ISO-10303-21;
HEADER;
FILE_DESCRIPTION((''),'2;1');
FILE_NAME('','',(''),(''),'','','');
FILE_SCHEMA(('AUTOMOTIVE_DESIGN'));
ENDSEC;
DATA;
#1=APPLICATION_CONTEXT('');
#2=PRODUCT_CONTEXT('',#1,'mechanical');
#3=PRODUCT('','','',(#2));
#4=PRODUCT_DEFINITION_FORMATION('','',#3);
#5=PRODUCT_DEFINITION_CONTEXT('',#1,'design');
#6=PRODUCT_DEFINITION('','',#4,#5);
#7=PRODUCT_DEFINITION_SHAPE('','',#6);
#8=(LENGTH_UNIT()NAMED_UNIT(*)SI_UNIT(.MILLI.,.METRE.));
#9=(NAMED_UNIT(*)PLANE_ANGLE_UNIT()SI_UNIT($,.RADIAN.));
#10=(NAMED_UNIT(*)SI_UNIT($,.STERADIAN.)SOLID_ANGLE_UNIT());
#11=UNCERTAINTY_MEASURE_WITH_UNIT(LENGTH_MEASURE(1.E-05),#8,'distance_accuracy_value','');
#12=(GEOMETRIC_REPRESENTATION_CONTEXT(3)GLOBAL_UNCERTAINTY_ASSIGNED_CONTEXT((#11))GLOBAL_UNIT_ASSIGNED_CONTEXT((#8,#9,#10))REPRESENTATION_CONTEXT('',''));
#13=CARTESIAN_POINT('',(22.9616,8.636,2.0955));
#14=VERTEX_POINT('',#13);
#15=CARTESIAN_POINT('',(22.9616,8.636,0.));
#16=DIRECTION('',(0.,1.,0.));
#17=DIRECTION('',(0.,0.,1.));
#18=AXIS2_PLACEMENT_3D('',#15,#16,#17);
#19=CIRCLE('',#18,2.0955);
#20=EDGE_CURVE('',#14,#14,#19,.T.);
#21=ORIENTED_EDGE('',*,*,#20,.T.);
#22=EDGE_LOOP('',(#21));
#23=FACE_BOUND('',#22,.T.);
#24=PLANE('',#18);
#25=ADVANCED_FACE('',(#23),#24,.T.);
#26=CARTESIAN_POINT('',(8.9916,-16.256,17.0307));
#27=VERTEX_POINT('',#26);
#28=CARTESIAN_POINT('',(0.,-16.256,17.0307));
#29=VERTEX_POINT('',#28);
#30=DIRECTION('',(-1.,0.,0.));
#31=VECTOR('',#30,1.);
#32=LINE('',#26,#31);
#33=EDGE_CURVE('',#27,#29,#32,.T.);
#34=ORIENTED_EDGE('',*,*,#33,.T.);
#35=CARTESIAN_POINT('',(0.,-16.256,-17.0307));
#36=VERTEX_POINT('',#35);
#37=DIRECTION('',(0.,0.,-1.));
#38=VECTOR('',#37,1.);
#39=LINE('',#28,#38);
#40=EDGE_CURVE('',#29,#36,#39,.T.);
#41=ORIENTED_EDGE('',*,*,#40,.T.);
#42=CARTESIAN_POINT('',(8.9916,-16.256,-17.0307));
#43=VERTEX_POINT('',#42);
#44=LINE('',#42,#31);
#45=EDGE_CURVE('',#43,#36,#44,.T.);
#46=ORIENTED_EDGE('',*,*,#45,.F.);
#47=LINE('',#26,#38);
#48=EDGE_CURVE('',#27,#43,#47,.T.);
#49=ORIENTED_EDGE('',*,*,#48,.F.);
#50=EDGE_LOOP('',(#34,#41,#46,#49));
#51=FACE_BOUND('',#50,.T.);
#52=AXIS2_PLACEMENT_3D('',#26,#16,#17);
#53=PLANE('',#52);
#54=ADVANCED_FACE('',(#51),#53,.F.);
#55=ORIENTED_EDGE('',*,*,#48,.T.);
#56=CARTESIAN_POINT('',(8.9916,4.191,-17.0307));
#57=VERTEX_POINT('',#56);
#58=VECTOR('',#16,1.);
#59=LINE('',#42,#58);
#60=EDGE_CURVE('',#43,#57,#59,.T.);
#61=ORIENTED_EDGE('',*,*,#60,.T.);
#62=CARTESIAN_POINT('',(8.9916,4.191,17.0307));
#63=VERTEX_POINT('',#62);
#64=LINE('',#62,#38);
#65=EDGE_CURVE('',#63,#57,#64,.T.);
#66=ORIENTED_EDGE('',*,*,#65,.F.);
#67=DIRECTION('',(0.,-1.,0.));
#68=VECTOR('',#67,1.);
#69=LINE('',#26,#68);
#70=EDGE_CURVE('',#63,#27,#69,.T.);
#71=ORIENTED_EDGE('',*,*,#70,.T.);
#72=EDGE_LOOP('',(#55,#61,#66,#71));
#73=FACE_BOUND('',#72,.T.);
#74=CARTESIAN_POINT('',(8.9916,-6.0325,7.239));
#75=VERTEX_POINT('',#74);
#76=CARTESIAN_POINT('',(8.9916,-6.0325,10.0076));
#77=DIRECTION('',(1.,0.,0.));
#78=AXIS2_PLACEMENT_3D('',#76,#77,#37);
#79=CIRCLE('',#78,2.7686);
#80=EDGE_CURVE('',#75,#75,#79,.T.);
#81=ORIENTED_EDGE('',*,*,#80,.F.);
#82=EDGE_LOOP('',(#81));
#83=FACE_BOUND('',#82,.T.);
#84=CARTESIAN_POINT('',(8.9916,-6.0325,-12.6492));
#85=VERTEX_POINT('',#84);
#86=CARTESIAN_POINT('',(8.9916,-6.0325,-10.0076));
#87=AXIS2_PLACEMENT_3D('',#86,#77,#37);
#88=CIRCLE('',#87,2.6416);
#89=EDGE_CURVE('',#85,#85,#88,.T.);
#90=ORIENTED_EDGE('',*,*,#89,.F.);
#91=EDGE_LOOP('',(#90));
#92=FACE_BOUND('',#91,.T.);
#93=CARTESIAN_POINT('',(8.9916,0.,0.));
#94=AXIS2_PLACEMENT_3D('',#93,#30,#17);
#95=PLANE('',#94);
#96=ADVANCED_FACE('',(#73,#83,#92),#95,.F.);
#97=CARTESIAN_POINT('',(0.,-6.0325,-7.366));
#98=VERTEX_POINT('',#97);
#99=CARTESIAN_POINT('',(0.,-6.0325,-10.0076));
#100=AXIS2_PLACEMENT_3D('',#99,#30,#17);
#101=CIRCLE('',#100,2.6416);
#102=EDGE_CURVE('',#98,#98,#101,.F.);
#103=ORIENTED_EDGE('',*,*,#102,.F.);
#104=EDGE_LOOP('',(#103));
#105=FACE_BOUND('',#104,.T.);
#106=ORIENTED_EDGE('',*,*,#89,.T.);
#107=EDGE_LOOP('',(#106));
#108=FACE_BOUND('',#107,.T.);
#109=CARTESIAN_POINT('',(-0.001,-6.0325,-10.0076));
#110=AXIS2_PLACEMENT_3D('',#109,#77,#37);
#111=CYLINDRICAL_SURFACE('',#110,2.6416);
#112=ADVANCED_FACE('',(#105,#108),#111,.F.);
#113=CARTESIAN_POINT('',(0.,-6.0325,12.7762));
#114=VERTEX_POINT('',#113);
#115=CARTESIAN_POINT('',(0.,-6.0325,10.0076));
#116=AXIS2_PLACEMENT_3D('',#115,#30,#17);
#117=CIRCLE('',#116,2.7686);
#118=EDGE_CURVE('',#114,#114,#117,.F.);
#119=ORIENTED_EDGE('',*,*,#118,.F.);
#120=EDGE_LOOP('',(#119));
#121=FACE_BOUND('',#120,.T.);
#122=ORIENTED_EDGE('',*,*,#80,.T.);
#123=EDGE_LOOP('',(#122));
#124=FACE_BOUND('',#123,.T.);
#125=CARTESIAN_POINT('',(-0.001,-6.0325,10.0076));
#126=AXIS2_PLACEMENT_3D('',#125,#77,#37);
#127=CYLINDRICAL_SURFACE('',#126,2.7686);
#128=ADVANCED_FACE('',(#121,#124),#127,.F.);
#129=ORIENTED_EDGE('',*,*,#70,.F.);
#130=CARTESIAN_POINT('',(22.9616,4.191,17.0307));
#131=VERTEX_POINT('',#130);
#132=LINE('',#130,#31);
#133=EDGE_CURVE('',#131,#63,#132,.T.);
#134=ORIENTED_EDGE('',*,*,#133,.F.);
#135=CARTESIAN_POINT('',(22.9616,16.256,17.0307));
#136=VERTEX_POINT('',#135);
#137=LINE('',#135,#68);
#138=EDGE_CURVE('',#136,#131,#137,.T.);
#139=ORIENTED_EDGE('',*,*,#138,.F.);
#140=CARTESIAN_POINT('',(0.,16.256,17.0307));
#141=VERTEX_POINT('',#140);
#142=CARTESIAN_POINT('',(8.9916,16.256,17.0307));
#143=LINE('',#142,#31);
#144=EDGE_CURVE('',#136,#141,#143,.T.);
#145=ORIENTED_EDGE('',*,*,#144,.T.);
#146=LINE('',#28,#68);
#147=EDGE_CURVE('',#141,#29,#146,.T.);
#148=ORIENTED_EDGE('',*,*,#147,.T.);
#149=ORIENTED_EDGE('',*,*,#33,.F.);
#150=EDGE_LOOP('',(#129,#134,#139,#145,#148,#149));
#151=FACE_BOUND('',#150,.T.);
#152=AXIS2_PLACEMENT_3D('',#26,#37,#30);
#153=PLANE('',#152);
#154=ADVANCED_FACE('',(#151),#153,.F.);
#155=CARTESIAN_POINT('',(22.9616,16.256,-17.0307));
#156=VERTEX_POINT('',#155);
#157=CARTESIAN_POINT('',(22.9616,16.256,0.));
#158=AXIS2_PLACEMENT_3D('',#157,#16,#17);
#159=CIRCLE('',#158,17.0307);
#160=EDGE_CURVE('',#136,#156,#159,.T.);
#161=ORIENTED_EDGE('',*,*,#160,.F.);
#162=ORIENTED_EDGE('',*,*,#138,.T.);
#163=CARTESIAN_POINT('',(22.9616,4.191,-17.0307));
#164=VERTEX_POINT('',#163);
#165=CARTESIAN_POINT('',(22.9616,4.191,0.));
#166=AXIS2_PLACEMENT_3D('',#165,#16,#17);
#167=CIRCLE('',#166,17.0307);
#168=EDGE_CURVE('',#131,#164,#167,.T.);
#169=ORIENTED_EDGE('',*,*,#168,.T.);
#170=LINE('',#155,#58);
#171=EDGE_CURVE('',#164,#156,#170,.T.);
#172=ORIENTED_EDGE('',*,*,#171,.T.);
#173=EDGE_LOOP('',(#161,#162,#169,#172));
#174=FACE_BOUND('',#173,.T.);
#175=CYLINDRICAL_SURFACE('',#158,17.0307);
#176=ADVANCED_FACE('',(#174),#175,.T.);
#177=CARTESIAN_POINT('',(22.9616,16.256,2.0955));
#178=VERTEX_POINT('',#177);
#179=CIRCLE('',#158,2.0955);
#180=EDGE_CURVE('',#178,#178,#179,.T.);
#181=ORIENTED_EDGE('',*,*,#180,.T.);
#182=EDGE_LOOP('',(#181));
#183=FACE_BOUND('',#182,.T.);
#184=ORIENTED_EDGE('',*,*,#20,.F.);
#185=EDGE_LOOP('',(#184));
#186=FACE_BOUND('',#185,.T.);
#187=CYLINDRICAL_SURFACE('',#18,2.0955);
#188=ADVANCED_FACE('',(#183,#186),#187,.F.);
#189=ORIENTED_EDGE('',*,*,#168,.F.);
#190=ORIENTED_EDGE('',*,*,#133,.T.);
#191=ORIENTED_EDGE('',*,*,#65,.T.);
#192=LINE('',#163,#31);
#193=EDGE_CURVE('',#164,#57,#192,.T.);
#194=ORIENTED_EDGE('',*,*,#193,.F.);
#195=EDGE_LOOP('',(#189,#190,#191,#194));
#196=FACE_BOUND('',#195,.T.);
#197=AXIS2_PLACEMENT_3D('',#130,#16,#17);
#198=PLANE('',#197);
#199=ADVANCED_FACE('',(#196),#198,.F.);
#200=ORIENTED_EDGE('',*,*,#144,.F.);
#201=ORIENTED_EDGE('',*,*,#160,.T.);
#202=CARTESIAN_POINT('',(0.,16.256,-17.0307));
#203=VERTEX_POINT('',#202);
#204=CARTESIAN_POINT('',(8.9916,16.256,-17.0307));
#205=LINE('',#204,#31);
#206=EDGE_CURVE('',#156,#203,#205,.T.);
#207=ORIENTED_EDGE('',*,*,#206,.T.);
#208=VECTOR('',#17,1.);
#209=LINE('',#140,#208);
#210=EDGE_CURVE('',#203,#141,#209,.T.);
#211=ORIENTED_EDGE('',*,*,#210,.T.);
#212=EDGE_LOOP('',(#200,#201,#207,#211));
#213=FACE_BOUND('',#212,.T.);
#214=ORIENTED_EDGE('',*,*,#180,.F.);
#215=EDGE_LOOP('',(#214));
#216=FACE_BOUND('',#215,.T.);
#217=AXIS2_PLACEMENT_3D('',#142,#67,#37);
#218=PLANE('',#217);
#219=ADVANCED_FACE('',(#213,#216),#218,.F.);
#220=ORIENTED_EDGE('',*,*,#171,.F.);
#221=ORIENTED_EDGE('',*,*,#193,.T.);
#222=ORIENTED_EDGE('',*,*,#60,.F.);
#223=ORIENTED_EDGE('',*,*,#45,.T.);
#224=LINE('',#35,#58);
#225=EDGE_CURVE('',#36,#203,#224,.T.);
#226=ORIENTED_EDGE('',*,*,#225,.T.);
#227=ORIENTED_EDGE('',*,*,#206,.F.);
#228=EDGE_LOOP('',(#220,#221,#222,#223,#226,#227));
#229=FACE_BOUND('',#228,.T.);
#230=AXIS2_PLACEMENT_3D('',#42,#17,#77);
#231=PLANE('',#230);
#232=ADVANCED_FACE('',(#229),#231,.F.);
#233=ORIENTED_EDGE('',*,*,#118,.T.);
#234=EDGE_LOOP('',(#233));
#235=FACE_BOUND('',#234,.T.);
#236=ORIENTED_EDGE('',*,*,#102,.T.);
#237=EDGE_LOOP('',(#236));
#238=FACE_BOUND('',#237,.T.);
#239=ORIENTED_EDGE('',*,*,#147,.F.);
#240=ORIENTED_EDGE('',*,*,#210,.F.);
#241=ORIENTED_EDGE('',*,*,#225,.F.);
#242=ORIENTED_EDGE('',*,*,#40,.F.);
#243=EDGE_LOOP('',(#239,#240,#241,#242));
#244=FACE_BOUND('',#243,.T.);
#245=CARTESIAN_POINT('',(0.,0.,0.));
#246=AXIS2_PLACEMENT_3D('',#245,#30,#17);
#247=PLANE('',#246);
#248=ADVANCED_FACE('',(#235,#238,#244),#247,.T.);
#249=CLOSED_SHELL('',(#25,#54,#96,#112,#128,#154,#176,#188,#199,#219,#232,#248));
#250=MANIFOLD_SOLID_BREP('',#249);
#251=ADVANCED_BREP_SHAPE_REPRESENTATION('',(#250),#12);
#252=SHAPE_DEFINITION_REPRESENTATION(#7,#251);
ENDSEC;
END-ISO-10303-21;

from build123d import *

# Parameters (mm, degrees)
SKETCH1_W           = 34.0614
SKETCH1_H           = 32.512
BOSS_EXTRUDE1_DEPTH = 8.9916
SKETCH2_W           = 34.0614
SKETCH2_H           = 12.065
BOSS_EXTRUDE2_DEPTH = 13.97
SKETCH3_W           = 17.0307
SKETCH3_H           = 12.065
REVOLVE1_ANGLE      = 180
SKETCH4_R           = 2.0955
CUT_EXTRUDE1_DEPTH  = 7.62
CUT_EXTRUDE2_REACH  = 10.992
SKETCH5_R           = 2.7686
SKETCH5_R_2         = 2.6416


with BuildPart() as part:
    # Sketch1 → Boss-Extrude1 (new body)
    with BuildSketch(Plane(origin=(0, 0, 0), x_dir=(0, 0, -1), z_dir=(1, 0, 0))):
        Rectangle(SKETCH1_W, SKETCH1_H)
    extrude(amount=BOSS_EXTRUDE1_DEPTH)

    # Sketch2 → Boss-Extrude2 (add)
    with BuildSketch(Plane(origin=(8.9916, 0, 0), x_dir=(0, 0, -1), z_dir=(1, 0, 0))):
        with Locations((0, 10.2235)):
            Rectangle(SKETCH2_W, SKETCH2_H)
    extrude(amount=BOSS_EXTRUDE2_DEPTH)

    # Sketch3 → Revolve1 (revolve)
    with BuildSketch(Plane(origin=(22.9616, 0, 0), x_dir=(0, 0, -1), z_dir=(1, 0, 0))):
        with Locations((8.51535, 10.2235)):
            Rectangle(SKETCH3_W, SKETCH3_H)
    revolve(axis=Axis((22.9616, 16.256, 0), (0, -1, 0)), revolution_arc=REVOLVE1_ANGLE)

    # Sketch4 → Cut-Extrude1 (cut)
    with BuildSketch(Plane(origin=(0, 16.256, 0), x_dir=(1, 0, 0), z_dir=(0, 1, 0))):
        with Locations((22.9616, 0)):
            Circle(SKETCH4_R)
    extrude(amount=-CUT_EXTRUDE1_DEPTH, mode=Mode.SUBTRACT)

    # Sketch5 → Cut-Extrude2 (cut, up to next)
    with BuildSketch(Plane(origin=(8.9916, 0, 0), x_dir=(0, 0, -1), z_dir=(1, 0, 0)), mode=Mode.PRIVATE) as cut_extrude2_sk1:
        with Locations((-10.0076, -6.0325)):
            Circle(SKETCH5_R)
    cut_extrude2_tool1 = extrude(cut_extrude2_sk1.sketch, amount=-CUT_EXTRUDE2_REACH, mode=Mode.PRIVATE) & part.part
    add(cut_extrude2_tool1.solids().sort_by_distance((8.9916, -6.0325, 10.0076))[0], mode=Mode.SUBTRACT)
    # Sketch5 → Cut-Extrude2 (cut, up to next)
    with BuildSketch(Plane(origin=(8.9916, 0, 0), x_dir=(0, 0, -1), z_dir=(1, 0, 0)), mode=Mode.PRIVATE) as cut_extrude2_sk2:
        with Locations((10.0076, -6.0325)):
            Circle(SKETCH5_R_2)
    cut_extrude2_tool2 = extrude(cut_extrude2_sk2.sketch, amount=-CUT_EXTRUDE2_REACH, mode=Mode.PRIVATE) & part.part
    add(cut_extrude2_tool2.solids().sort_by_distance((8.9916, -6.0325, -10.0076))[0], mode=Mode.SUBTRACT)


solid = part.part
